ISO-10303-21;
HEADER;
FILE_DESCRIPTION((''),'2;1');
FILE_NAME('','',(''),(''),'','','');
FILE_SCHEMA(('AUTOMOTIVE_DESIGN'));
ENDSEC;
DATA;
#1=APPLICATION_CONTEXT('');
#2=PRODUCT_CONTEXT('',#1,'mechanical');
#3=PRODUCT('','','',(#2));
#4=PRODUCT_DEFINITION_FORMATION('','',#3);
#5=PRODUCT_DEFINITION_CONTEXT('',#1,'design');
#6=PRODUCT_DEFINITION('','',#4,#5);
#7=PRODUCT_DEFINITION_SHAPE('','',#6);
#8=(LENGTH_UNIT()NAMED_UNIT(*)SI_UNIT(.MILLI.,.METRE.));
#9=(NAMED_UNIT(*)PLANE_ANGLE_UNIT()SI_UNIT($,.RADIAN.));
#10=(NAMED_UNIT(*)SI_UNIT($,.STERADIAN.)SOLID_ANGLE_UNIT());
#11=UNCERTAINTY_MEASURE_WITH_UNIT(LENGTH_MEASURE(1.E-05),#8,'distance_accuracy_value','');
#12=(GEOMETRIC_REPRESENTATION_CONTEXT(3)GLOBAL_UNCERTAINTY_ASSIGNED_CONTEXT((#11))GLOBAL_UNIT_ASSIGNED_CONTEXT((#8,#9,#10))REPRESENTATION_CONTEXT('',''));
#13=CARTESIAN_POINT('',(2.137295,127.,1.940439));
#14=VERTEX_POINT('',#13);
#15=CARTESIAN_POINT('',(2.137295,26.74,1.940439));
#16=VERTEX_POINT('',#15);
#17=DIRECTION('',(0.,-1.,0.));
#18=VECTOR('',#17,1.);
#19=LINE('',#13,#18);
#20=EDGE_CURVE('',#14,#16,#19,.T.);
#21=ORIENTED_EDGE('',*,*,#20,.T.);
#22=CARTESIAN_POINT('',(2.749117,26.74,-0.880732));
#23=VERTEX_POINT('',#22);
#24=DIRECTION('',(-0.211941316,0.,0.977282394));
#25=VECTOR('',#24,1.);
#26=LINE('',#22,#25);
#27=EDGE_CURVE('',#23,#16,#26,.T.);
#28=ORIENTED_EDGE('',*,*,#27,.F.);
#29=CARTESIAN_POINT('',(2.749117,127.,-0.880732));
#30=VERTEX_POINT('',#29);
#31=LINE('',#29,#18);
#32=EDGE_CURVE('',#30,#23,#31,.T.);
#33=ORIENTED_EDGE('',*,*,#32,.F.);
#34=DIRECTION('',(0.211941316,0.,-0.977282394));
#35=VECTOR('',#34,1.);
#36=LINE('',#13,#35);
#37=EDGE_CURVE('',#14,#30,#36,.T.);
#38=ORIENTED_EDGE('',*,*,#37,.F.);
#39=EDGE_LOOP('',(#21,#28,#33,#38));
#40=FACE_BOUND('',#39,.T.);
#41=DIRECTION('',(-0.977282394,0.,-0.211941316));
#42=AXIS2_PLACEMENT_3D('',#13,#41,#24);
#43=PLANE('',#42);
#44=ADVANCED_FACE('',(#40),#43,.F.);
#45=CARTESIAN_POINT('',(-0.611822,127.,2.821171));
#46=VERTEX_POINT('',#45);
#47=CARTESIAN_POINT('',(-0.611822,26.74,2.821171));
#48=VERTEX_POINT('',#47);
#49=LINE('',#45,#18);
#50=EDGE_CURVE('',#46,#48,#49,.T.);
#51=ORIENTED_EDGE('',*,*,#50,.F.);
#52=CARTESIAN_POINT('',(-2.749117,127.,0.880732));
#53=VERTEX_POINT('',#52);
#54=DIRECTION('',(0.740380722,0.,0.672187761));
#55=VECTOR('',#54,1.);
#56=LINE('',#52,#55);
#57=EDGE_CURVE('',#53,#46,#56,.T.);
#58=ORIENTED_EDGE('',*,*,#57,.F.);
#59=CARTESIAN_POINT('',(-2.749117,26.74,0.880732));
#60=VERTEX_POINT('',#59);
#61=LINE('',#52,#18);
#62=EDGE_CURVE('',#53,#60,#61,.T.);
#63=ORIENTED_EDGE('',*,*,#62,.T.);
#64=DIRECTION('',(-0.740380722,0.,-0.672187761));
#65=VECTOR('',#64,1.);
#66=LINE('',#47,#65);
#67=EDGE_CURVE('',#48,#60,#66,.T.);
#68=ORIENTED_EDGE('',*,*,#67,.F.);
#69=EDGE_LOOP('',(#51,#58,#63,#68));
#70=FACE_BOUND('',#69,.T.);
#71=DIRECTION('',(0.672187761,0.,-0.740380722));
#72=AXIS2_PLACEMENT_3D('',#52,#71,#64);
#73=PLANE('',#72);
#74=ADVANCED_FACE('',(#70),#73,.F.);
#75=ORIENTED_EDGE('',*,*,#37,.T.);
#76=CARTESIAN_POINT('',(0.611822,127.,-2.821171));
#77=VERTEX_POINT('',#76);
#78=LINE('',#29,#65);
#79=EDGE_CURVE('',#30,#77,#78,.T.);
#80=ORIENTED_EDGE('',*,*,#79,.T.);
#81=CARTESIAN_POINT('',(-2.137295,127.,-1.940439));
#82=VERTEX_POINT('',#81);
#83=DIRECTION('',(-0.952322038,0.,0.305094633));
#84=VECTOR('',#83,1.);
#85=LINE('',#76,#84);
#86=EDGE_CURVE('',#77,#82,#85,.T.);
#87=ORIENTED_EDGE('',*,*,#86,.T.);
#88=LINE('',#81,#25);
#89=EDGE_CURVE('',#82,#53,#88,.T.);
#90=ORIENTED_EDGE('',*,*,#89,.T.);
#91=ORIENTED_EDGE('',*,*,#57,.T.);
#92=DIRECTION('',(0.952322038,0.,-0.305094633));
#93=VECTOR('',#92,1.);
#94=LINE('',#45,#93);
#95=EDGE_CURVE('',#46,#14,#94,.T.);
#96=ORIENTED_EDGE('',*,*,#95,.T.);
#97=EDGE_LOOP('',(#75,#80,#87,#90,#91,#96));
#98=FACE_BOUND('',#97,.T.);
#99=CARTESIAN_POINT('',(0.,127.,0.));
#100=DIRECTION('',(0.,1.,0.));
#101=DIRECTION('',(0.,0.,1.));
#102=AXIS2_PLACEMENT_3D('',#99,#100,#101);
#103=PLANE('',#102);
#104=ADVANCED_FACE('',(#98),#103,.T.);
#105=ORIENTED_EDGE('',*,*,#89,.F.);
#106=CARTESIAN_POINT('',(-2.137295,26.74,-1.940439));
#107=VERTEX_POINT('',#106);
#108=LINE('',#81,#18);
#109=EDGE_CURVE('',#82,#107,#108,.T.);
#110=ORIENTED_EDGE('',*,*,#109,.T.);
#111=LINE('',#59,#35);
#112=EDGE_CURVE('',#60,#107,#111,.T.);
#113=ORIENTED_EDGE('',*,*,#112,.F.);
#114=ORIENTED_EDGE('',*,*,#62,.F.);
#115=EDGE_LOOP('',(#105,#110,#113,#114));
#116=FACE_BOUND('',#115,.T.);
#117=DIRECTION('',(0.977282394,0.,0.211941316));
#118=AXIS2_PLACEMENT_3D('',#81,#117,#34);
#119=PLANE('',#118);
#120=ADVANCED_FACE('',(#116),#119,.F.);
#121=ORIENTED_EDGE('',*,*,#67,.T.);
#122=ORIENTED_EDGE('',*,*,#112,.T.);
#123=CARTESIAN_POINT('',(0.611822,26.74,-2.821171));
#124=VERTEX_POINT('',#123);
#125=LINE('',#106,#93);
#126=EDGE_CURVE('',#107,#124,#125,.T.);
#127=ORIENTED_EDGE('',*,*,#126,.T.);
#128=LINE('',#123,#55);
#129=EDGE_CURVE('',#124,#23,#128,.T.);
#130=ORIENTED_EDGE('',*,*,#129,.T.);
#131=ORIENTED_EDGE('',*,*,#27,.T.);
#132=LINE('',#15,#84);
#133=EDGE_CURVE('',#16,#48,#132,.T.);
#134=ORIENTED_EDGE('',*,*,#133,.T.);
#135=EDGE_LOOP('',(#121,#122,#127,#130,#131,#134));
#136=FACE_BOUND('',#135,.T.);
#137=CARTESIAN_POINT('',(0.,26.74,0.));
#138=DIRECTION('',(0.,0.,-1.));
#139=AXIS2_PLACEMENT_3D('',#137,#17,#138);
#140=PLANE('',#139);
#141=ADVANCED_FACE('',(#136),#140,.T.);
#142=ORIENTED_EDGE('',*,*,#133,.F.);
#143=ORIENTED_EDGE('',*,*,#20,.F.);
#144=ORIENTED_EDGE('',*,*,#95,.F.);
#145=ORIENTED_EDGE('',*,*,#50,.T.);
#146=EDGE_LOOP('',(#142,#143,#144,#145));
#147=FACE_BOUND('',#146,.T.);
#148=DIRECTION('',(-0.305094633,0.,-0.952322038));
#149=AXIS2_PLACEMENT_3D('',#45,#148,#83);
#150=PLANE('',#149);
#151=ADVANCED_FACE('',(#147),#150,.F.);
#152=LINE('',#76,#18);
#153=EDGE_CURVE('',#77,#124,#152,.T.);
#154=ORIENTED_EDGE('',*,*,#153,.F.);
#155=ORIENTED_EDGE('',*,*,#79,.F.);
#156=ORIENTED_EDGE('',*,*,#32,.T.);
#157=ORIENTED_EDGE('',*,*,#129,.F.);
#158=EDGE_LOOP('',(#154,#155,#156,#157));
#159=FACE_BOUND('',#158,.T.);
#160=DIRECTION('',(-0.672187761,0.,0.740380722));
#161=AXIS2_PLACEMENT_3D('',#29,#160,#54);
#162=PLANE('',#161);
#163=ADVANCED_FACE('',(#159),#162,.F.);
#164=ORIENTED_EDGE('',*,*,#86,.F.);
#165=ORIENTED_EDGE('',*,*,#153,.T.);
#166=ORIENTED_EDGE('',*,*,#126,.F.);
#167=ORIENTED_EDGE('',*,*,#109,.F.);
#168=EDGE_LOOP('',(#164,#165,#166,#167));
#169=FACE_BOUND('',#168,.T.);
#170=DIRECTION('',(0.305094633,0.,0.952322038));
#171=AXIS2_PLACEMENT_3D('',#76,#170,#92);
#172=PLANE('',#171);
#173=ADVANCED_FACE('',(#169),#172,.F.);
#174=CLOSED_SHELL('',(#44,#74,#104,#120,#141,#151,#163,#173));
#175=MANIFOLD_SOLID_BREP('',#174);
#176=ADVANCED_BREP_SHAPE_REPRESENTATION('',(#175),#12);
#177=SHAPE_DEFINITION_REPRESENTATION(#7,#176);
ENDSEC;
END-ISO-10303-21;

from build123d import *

# Parameters (mm, degrees)
BOSS_EXTRUDE1_DEPTH = 127
SKETCH3_W           = 20.194547067
SKETCH3_H           = 18.170773651
CUT_EXTRUDE1_DEPTH  = 38.1
BOSS_EXTRUDE2_DEPTH = 2.54
SKETCH5_W           = 34.517572909
SKETCH5_H           = 22.340458643
CUT_EXTRUDE2_DEPTH  = 50
BOSS_EXTRUDE3_DEPTH = 25
BOSS_EXTRUDE4_DEPTH = 13.5
BOSS_EXTRUDE5_DEPTH = 20.32


with BuildPart() as part:
    # Sketch2 → Boss-Extrude1 (new body)
    with BuildSketch(Plane(origin=(0, 0, 0), x_dir=(1, 0, 0), z_dir=(0, 1, 0))):
        Polygon((2.137295047, -1.940438924), (2.749116926, 0.880732344), (0.611821879, 2.821171268), (-2.137295047, 1.940438924), (-2.749116926, -0.880732344), (-0.611821879, -2.821171268), align=None)
    extrude(amount=BOSS_EXTRUDE1_DEPTH)

    # Sketch3 → Cut-Extrude1 (cut)
    with BuildSketch(Plane.XZ):
        with Locations((-3.121926418, 0.771419978)):
            Rectangle(SKETCH3_W, SKETCH3_H)
    extrude(amount=-CUT_EXTRUDE1_DEPTH, mode=Mode.SUBTRACT)

    # Sketch4 → Boss-Extrude2 (add)
    with BuildSketch(Plane.XZ.offset(-38.1)):
        Polygon((0.611821879, -2.821171268), (2.749116926, -0.880732344), (2.137295047, 1.940438924), (-0.611821879, 2.821171268), (-2.749116926, 0.880732344), (-2.137295047, -1.940438924), align=None)
    extrude(amount=BOSS_EXTRUDE2_DEPTH)

    # Sketch5 → Cut-Extrude2 (cut)
    with BuildSketch(Plane.XZ.offset(-35.56)):
        with Locations((-1.3482575, -1.032578251)):
            Rectangle(SKETCH5_W, SKETCH5_H)
    extrude(amount=-CUT_EXTRUDE2_DEPTH, mode=Mode.SUBTRACT)

    # Sketch7 → Boss-Extrude3 (add)
    with BuildSketch(Plane.XZ.offset(-85.56)):
        Polygon((0.611821879, -2.821171268), (2.749116926, -0.880732344), (2.137295047, 1.940438924), (-0.611821879, 2.821171268), (-2.749116926, 0.880732344), (-2.137295047, -1.940438924), align=None)
    extrude(amount=BOSS_EXTRUDE3_DEPTH)

    # Sketch8 → Boss-Extrude4 (add)
    with BuildSketch(Plane.XZ.offset(-60.56)):
        Polygon((0.611821879, -2.821171268), (2.749116926, -0.880732344), (2.137295047, 1.940438924), (-0.611821879, 2.821171268), (-2.749116926, 0.880732344), (-2.137295047, -1.940438924), align=None)
    extrude(amount=BOSS_EXTRUDE4_DEPTH)

    # Sketch9 → Boss-Extrude5 (add)
    with BuildSketch(Plane.XZ.offset(-47.06)):
        Polygon((0.611821879, -2.821171268), (2.749116926, -0.880732344), (2.137295047, 1.940438924), (-0.611821879, 2.821171268), (-2.749116926, 0.880732344), (-2.137295047, -1.940438924), align=None)
    extrude(amount=BOSS_EXTRUDE5_DEPTH)


solid = part.part
